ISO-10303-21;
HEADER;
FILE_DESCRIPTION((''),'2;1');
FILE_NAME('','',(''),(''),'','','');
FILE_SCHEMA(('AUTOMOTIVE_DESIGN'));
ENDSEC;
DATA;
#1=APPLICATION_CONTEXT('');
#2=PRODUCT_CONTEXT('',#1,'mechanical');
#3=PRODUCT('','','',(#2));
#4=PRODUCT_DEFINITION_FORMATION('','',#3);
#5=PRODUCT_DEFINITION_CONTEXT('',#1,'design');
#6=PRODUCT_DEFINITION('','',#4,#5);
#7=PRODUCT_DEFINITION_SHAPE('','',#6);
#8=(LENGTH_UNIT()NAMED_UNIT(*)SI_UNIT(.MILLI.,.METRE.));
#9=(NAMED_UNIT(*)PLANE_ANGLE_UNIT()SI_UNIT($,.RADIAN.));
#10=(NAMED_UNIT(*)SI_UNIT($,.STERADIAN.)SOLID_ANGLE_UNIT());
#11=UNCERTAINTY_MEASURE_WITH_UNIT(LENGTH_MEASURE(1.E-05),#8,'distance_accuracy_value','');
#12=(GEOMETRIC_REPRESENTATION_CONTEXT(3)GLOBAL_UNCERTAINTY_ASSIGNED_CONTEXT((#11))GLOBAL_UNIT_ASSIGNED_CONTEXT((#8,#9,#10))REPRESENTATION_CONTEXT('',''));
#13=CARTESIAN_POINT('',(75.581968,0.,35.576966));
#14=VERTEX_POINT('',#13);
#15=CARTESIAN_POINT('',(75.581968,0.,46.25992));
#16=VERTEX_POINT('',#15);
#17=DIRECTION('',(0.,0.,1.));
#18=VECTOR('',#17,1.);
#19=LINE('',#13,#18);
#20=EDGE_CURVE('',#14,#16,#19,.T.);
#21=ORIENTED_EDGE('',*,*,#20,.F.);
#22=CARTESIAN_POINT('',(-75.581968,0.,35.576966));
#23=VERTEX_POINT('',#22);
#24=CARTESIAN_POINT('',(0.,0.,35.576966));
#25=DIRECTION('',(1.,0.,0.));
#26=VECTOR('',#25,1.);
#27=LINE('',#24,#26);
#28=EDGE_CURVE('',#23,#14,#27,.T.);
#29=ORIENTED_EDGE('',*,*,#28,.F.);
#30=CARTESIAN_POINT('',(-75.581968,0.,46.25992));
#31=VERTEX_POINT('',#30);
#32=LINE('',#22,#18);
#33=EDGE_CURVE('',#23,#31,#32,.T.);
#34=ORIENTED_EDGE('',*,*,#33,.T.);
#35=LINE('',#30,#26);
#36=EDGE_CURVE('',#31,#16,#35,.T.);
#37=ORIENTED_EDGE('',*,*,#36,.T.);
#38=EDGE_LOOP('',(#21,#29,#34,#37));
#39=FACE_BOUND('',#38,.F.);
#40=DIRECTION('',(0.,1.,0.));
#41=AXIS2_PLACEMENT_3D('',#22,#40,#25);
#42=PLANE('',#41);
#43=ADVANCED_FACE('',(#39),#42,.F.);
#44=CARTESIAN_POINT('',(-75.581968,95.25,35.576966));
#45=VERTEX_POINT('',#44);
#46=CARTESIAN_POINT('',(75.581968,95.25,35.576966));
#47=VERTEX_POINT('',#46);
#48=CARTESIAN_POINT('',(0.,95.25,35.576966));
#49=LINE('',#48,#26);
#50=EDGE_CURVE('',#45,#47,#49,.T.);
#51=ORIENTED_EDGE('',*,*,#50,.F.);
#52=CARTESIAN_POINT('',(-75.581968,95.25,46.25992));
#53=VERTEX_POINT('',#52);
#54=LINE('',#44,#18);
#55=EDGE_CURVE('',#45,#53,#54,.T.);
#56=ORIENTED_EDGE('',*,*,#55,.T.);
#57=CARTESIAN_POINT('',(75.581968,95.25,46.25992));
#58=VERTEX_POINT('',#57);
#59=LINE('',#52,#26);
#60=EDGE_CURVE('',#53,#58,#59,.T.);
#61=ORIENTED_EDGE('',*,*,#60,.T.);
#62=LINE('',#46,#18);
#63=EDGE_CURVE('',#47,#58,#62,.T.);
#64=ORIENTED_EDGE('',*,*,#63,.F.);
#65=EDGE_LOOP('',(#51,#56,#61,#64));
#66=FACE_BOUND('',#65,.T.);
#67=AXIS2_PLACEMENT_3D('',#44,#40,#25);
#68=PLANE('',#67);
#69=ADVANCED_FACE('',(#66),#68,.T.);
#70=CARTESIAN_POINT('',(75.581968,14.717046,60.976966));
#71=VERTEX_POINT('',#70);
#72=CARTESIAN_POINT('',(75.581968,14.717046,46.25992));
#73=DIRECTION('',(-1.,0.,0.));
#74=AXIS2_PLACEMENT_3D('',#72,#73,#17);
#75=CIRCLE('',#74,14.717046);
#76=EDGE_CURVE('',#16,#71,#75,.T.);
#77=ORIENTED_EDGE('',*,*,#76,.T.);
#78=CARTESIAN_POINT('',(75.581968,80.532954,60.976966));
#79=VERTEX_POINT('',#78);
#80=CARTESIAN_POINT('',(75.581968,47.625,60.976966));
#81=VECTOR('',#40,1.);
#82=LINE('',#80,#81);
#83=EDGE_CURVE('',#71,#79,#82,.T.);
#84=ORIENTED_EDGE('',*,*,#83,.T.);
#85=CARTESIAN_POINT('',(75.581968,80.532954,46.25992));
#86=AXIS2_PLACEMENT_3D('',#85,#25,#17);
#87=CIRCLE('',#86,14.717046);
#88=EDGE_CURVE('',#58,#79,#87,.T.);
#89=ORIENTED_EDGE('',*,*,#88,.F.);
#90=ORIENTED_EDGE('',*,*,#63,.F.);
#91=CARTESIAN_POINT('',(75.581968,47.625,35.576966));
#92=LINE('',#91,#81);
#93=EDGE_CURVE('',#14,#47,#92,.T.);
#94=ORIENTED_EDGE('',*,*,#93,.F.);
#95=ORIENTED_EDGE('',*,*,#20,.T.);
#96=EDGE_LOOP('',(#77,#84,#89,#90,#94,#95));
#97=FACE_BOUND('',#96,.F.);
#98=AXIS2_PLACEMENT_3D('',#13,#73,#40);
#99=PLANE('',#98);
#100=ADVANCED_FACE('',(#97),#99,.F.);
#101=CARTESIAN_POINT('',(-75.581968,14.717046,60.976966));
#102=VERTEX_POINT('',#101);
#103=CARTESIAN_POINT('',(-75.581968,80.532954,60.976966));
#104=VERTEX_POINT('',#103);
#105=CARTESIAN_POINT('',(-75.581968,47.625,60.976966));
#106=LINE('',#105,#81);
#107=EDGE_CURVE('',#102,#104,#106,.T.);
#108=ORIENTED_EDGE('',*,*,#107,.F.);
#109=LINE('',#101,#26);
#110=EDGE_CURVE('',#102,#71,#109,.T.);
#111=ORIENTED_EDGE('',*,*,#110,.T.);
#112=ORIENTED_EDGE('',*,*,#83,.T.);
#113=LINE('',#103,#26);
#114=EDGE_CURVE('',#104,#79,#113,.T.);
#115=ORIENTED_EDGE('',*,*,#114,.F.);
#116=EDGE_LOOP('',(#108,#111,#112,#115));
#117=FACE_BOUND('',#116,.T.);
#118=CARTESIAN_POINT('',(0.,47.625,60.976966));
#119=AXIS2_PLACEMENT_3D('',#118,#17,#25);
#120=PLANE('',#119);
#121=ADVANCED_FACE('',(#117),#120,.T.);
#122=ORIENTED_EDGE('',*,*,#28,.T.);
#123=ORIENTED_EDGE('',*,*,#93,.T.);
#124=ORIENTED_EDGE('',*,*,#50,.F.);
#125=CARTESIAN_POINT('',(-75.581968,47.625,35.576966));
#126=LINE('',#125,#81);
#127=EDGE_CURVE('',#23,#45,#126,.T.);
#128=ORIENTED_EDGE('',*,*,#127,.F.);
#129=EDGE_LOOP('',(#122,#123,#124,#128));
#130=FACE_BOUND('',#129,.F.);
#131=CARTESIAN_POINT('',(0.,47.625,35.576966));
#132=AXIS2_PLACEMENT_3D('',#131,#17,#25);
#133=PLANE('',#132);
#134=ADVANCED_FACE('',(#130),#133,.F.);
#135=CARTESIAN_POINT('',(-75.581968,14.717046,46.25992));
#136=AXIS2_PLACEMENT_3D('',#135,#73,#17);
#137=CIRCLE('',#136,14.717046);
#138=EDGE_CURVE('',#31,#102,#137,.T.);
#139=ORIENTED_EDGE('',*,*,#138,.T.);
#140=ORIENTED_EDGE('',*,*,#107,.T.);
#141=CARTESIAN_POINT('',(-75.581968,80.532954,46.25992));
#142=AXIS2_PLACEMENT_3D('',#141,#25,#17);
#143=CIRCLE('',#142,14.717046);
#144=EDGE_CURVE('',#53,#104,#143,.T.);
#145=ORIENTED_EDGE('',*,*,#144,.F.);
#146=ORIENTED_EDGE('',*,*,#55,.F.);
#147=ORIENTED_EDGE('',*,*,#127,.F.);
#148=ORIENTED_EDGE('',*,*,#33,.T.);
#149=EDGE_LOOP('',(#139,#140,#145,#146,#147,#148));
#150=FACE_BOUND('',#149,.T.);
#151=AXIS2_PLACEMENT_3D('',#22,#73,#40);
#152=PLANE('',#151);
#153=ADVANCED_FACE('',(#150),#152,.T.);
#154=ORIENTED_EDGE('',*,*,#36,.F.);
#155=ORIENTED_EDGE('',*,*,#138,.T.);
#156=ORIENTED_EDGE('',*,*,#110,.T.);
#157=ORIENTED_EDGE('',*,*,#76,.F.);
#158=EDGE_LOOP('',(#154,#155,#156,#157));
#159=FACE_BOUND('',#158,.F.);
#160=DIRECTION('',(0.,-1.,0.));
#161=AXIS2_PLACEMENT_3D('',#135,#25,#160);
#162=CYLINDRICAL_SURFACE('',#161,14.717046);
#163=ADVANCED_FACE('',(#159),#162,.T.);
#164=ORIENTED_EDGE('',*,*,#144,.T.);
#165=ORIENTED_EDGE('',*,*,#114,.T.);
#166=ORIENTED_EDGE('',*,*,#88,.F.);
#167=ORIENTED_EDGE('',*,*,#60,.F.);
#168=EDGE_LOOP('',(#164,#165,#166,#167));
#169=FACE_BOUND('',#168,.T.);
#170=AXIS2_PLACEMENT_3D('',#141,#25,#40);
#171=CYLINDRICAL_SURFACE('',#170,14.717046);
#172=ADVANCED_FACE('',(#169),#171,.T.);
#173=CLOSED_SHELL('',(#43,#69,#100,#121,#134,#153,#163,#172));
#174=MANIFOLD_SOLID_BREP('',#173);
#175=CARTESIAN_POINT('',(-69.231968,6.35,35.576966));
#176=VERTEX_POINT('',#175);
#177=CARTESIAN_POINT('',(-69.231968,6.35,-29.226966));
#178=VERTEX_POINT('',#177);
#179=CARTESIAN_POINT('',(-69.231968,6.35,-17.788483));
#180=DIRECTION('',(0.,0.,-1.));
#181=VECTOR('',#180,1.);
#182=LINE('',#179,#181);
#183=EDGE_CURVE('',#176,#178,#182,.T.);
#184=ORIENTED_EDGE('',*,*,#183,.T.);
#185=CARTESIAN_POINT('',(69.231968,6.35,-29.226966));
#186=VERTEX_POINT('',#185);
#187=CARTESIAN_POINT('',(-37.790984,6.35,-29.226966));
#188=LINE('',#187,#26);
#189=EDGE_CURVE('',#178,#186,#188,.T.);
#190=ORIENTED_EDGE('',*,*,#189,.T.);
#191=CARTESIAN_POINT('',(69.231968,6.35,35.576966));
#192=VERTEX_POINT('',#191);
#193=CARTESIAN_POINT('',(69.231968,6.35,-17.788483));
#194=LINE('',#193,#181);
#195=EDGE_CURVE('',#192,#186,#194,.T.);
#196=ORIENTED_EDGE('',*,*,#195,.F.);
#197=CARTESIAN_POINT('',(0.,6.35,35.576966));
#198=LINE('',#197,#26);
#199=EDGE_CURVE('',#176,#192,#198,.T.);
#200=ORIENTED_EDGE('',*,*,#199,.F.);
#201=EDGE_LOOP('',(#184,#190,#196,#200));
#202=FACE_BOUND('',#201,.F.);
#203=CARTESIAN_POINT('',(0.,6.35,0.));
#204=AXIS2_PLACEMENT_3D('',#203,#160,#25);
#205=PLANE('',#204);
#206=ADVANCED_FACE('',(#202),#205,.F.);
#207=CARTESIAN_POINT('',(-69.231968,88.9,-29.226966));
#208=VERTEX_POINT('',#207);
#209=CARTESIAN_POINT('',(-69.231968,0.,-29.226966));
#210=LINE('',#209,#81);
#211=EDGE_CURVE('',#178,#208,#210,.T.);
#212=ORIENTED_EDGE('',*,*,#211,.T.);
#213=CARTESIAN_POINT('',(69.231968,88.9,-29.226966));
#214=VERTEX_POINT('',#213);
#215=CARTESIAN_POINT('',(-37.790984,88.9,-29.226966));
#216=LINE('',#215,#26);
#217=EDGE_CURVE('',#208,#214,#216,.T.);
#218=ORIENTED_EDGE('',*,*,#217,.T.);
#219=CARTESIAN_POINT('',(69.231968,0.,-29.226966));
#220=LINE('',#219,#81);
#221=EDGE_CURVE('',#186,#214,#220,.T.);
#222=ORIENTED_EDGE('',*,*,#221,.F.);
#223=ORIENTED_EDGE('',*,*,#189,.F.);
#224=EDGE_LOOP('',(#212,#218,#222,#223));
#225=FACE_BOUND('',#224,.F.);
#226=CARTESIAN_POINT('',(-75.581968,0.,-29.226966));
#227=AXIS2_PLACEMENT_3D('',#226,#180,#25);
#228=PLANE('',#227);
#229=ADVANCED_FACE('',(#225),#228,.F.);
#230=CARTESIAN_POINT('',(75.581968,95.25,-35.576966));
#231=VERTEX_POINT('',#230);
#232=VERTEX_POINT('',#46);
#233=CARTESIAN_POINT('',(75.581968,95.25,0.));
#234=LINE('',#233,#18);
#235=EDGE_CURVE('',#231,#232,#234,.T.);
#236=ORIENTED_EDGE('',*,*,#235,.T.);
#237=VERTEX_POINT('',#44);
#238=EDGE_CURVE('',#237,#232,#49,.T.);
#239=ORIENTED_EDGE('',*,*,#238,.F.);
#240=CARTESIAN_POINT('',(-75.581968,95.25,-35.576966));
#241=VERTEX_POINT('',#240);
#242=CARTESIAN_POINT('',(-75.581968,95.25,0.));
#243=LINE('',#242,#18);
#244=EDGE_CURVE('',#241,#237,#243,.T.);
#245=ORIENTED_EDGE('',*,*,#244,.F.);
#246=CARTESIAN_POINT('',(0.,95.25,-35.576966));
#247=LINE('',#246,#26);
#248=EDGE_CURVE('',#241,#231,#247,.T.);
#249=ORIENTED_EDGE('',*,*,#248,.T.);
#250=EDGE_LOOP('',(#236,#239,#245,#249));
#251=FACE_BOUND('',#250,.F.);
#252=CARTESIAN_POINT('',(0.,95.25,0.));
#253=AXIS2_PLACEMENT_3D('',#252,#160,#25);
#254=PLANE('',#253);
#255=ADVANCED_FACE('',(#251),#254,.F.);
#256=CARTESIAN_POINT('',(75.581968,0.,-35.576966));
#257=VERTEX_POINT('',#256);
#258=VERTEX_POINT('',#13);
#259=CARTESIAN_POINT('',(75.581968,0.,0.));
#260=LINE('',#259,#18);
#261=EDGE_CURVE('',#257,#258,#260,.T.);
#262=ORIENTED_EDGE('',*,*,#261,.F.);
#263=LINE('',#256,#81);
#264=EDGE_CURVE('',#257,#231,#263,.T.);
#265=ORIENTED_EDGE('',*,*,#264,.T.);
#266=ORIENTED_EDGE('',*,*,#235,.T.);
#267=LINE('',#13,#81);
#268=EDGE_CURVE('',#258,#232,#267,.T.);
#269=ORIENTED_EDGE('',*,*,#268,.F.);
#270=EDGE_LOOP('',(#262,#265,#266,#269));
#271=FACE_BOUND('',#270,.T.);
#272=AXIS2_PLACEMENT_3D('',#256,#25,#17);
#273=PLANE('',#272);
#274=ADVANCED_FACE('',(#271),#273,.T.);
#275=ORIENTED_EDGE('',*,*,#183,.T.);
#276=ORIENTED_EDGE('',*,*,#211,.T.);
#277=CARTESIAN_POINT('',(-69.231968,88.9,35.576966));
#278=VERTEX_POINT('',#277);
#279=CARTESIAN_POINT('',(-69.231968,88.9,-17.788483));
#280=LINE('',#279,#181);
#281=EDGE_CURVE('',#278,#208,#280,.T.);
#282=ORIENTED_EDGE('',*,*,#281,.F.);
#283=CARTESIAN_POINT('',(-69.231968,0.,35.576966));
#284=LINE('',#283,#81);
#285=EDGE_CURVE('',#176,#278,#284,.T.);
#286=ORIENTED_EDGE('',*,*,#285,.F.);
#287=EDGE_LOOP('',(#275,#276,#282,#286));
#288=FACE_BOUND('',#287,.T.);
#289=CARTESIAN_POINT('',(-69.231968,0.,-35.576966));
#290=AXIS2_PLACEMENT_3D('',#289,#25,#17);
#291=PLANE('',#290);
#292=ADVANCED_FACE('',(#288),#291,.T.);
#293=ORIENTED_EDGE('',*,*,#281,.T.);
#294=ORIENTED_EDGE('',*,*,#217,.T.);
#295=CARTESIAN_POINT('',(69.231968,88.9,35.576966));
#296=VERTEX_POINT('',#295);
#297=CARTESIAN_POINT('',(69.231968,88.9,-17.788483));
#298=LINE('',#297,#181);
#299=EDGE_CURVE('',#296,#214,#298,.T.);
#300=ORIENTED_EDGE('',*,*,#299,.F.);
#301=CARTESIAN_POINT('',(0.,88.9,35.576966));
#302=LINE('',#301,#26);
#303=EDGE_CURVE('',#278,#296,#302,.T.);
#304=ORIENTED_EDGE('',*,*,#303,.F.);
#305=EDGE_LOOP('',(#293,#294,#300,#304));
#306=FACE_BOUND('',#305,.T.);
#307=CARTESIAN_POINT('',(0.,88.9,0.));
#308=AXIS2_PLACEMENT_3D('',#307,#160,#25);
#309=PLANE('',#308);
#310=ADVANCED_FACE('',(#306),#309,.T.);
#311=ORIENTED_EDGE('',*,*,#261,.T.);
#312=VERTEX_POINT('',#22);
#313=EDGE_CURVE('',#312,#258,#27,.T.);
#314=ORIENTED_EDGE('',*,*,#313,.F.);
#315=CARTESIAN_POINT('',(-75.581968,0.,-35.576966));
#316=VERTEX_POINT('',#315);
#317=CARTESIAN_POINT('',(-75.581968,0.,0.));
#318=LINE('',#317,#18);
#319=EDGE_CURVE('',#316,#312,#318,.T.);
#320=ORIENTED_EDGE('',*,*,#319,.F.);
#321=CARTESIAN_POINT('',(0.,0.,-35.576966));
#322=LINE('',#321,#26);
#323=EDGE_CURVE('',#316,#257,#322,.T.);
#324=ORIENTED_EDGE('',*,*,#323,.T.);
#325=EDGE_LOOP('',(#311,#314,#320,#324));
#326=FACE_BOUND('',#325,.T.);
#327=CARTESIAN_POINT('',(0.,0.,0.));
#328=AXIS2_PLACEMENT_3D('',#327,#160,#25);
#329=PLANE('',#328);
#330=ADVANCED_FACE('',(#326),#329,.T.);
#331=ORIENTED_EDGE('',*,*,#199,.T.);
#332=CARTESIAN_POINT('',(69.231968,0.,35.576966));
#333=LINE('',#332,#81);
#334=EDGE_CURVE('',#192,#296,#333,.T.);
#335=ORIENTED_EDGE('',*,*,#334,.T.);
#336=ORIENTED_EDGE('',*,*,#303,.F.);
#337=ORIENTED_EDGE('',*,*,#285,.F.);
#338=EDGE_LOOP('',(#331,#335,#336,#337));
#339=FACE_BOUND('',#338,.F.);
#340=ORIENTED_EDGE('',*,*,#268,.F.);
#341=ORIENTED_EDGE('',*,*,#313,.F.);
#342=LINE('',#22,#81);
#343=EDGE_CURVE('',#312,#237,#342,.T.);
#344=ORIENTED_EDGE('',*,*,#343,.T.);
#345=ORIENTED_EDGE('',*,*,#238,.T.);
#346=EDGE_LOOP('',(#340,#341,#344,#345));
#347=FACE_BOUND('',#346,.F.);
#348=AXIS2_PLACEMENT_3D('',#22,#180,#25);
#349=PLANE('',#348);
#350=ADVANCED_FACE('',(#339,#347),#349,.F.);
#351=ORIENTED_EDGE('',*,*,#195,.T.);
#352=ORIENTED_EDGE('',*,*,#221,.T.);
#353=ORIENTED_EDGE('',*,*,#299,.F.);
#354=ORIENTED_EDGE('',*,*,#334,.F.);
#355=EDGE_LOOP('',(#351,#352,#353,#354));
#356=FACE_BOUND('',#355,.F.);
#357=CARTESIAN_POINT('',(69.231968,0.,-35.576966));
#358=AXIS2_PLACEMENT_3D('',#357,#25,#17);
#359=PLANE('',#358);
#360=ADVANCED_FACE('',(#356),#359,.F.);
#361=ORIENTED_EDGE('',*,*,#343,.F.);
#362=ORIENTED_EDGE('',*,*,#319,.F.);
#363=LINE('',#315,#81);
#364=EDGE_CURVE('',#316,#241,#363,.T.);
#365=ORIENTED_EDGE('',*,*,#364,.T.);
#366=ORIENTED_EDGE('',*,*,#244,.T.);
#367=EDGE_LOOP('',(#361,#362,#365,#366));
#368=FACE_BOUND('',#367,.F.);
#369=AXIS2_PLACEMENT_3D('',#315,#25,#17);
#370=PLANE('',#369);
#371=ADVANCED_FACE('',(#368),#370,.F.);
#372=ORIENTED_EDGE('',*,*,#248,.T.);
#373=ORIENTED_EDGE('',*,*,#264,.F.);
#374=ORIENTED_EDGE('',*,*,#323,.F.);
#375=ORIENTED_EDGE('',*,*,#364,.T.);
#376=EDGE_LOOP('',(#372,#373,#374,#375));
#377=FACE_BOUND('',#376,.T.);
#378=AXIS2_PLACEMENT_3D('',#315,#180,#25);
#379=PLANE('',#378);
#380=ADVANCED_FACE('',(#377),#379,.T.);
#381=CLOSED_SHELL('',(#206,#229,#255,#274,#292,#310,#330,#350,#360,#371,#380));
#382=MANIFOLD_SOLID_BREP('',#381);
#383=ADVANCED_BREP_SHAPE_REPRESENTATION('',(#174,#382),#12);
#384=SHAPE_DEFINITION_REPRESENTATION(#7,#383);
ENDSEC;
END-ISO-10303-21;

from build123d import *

# Parameters (mm, degrees)
F0_W     = 151.163936
F0_H     = 71.153932
F1_DEPTH = 95.25
F2_W     = 151.163936
F2_H     = 95.25
F3_DEPTH = 25.4
F4_R     = 14.717046
F5_T     = -6.35


with BuildPart() as f1:
    # F0 (on Front) → F1 (new body)
    with BuildSketch(Plane.XZ):
        Rectangle(F0_W, F0_H)
    extrude(amount=-F1_DEPTH)

    # F5
    f5_openings = [f1.faces().sort_by_distance(p)[0] for p in [
        (0, 47.625, 35.576966),
    ]]
    offset(amount=F5_T, openings=f5_openings)


with BuildPart() as f3:
    # F2 (on face) → F3 (new body)
    with BuildSketch(Plane.XY.offset(35.576966)):
        with Locations((0, 47.625)):
            Rectangle(F2_W, F2_H)
    extrude(amount=F3_DEPTH)

    # F4
    f4_edges = [f3.edges().sort_by_distance(p)[0] for p in [
        (0, 0, 60.976966),
        (0, 95.25, 60.976966),
    ]]
    fillet(f4_edges, radius=F4_R)


solid = Compound([f1.part, f3.part])
